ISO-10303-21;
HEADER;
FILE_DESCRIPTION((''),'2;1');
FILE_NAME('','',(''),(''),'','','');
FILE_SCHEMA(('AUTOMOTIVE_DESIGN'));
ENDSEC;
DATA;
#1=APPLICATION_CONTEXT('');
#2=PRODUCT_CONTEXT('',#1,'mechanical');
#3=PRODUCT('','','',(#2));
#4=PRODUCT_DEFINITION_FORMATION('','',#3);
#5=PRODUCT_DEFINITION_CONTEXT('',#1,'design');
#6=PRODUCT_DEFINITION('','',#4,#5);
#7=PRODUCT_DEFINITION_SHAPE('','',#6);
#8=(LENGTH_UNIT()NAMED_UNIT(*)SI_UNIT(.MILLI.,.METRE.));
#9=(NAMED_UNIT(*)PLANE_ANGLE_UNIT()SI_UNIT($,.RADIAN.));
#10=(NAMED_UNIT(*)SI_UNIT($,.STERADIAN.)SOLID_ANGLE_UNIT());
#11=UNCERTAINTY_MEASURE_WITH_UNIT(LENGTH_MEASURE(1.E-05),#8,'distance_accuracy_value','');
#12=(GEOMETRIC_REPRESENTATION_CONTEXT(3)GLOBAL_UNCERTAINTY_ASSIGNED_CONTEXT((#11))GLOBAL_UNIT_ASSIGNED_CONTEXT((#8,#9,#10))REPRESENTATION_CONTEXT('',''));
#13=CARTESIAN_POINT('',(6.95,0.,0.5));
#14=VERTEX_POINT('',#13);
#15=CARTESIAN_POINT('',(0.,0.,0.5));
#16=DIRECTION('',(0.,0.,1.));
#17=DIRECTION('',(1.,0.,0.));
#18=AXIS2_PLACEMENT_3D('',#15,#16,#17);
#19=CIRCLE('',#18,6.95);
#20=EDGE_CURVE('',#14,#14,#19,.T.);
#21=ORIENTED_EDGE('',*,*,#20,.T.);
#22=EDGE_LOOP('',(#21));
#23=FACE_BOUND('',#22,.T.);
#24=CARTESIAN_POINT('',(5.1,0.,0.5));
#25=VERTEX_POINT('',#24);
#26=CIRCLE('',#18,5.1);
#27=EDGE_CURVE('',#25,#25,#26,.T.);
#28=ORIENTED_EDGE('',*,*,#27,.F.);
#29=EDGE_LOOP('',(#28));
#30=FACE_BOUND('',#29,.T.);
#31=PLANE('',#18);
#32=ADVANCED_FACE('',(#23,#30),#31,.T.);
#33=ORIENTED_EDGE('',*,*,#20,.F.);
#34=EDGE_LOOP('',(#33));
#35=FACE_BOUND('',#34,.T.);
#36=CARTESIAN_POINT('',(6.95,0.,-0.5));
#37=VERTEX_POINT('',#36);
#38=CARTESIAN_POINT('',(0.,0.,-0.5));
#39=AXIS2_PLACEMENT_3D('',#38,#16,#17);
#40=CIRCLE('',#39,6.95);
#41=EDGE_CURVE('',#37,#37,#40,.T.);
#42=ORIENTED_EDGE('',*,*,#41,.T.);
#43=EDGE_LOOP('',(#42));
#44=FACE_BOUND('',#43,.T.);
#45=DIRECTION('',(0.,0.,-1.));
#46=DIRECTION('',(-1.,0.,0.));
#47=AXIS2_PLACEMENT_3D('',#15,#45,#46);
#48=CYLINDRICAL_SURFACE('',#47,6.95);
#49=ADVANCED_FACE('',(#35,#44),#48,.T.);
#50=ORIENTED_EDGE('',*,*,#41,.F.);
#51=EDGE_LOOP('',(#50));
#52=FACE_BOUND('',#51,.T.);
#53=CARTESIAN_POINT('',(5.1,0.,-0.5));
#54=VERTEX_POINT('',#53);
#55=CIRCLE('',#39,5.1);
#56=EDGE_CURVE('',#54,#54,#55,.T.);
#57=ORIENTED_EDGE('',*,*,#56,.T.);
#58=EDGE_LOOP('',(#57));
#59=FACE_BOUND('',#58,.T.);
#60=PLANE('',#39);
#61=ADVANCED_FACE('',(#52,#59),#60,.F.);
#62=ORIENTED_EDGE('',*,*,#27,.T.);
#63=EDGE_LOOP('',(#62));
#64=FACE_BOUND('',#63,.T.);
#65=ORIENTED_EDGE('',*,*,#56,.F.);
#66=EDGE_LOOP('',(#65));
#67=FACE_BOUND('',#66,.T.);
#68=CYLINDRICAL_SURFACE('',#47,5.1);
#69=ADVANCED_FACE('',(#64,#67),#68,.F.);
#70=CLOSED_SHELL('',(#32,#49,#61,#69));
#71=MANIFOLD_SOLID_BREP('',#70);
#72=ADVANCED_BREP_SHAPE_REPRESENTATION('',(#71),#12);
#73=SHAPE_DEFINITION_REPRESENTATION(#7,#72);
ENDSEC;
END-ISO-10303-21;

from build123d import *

# Parameters (mm, degrees)
SKETCH3_R           = 6.95
SKETCH3_R_2         = 5.1
BOSS_EXTRUDE1_DEPTH = 0.5


with BuildPart() as part:
    # Sketch3 → Boss-Extrude1 (new body, symmetric)
    with BuildSketch(Plane.XY):
        Circle(SKETCH3_R)
        Circle(SKETCH3_R_2, mode=Mode.SUBTRACT)
    extrude(amount=BOSS_EXTRUDE1_DEPTH, both=True)


solid = part.part
